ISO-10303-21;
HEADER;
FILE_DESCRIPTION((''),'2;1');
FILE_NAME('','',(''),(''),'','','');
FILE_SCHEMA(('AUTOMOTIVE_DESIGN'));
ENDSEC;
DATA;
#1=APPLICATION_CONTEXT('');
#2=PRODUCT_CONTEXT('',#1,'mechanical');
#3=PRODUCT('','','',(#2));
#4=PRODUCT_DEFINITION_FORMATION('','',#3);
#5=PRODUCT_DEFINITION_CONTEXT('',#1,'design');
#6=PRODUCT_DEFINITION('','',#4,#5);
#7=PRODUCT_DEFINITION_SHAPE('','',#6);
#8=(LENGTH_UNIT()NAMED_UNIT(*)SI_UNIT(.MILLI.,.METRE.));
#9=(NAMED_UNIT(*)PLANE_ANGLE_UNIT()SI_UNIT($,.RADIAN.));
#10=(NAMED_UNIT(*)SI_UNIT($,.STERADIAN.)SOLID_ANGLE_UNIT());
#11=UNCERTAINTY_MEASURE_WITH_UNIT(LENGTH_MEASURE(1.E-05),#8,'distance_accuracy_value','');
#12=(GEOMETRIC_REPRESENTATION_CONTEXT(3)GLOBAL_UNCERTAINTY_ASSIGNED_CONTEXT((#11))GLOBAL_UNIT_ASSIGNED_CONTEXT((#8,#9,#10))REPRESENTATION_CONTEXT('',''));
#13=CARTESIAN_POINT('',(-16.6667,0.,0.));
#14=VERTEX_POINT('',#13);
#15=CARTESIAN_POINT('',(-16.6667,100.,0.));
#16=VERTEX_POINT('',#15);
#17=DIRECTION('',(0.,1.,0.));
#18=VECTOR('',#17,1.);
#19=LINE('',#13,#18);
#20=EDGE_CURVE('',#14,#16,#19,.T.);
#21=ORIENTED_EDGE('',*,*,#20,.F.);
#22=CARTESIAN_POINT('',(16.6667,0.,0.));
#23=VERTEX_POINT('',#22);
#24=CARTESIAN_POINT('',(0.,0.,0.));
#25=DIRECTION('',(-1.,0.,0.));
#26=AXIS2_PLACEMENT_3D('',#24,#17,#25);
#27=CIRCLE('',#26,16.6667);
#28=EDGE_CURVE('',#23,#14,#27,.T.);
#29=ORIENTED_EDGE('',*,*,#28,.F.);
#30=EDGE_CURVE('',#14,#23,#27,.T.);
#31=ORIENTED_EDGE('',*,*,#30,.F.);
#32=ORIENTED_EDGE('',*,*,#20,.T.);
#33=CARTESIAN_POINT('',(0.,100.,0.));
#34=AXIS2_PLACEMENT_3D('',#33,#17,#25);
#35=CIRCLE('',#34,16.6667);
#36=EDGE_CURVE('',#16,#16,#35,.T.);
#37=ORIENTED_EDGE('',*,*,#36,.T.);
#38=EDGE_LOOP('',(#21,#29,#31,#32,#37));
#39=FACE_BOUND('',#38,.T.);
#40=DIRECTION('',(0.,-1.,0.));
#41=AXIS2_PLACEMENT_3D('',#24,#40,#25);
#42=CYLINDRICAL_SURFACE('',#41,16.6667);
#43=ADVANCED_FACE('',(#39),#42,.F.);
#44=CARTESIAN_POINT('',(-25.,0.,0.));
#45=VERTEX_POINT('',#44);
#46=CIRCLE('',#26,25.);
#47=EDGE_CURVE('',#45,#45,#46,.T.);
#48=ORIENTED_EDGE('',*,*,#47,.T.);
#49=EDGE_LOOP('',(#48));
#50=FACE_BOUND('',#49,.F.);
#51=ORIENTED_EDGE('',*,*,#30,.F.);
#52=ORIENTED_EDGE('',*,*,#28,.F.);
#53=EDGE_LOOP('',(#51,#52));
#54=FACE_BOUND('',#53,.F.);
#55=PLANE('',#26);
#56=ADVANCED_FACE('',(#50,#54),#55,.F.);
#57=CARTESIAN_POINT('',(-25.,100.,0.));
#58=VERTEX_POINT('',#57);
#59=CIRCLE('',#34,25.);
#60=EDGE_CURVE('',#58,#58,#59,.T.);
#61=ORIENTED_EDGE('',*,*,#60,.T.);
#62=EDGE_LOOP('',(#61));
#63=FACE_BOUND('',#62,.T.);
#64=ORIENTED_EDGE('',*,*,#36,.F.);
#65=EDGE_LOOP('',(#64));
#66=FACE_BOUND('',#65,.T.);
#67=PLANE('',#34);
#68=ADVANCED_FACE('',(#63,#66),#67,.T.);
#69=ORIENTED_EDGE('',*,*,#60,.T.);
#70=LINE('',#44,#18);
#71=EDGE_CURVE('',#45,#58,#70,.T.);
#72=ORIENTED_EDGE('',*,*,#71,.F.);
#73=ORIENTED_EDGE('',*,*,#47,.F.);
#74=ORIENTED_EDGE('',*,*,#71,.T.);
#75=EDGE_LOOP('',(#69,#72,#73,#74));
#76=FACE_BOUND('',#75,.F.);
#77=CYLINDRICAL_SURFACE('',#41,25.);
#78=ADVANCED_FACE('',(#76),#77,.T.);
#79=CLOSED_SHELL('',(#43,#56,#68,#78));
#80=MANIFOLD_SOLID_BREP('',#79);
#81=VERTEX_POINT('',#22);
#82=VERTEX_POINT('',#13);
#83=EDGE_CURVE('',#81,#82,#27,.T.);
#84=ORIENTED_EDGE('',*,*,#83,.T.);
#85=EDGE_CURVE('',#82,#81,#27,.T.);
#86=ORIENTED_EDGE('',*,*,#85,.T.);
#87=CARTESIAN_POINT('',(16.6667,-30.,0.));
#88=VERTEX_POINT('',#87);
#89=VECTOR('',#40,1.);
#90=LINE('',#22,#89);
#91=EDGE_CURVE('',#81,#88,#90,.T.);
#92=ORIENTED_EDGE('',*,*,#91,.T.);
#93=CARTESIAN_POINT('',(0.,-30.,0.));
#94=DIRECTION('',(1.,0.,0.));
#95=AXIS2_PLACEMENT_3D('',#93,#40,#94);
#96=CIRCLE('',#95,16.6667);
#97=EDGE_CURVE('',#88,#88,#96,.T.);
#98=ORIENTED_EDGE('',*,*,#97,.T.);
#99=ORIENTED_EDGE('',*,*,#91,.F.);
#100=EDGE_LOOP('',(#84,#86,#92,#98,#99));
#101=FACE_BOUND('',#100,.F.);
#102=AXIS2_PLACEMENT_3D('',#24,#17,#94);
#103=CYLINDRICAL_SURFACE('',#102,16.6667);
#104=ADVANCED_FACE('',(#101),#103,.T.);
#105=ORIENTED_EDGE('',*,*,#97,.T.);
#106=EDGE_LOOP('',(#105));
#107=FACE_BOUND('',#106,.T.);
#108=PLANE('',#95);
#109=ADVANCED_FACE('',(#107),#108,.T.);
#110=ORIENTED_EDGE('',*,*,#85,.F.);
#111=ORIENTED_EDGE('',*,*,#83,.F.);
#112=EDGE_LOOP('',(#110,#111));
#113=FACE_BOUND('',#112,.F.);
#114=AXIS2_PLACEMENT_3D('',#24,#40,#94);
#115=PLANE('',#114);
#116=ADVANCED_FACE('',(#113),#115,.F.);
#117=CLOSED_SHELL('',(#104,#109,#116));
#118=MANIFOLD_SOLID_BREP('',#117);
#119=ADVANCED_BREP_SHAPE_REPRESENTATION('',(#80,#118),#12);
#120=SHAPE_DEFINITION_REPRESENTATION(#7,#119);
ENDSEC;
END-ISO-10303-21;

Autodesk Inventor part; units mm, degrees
ref_plane "YZ Plane" through (0, 0, 0) normal (1, 0, 0) x (0, 1, 0)
ref_plane "XZ Plane" through (0, 0, 0) normal (0, 1, 0) x (-1, 0, 0)
ref_plane "XY Plane" through (0, 0, 0) normal (0, 0, 1) x (1, 0, 0)
sketch "Boceto1" plane through (0, 0, 0) normal (0, 1, 0) x (-1, 0, 0)
  circle A0 centre (0, 0) radius 25
  circle A1 centre (0, 0) radius 16.6667
  dimension "d0" = 50
  dimension "d1" = 33.3333
extrude "Extrusión1" add sketch "Boceto1" along normal blind 100
sketch "Boceto2" plane through (0, 0, 0) normal (0, -1, 0) x (1, 0, 0)
  circle A0 centre (0, 0) radius 16.6667 projected
extrude "Extrusión2" add sketch "Boceto2" along normal blind 30
properties part number "Rodillo3"
